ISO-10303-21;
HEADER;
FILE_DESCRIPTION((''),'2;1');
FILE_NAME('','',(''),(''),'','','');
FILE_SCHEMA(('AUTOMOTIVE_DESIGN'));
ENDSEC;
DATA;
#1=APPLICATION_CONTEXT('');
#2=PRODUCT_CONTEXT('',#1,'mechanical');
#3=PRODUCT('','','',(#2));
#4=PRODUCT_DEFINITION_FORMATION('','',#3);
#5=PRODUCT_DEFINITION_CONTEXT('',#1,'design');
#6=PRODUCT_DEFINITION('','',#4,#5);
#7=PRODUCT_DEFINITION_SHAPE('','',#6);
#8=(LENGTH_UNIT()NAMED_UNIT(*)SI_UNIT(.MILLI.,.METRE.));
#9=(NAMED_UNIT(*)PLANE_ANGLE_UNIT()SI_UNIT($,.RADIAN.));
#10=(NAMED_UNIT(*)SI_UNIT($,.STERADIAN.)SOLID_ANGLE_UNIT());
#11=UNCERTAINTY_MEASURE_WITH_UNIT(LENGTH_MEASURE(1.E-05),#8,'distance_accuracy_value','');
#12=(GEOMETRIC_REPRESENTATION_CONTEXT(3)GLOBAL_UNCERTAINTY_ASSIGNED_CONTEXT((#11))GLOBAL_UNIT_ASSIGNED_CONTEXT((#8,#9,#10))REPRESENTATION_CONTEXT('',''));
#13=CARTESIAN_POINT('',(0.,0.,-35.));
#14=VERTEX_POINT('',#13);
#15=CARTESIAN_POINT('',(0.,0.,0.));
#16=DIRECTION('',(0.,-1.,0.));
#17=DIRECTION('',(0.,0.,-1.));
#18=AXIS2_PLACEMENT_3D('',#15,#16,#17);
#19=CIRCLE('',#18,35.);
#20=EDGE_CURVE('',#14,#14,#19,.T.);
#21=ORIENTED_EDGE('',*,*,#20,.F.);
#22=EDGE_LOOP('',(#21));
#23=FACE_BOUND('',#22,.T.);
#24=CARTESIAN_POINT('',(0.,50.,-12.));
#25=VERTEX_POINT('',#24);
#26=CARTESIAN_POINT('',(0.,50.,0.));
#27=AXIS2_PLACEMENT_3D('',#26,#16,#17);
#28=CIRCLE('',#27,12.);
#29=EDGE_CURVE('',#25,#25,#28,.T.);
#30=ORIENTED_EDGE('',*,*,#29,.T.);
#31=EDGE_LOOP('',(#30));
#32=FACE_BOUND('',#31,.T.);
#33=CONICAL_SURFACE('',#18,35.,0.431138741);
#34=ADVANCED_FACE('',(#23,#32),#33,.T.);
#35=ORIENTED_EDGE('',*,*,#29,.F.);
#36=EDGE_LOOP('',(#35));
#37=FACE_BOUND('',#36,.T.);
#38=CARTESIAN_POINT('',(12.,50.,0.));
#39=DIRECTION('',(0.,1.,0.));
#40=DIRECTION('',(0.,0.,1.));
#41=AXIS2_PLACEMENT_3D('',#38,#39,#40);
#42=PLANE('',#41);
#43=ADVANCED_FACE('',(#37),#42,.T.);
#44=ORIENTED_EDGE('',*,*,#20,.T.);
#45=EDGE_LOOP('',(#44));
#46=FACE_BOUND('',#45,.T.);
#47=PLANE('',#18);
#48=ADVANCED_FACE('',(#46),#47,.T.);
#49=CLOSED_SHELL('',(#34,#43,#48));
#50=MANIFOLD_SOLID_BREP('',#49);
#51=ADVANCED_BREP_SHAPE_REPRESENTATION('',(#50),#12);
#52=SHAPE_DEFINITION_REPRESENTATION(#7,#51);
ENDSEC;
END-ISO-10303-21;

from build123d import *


with BuildPart() as part:
    # 草图3 → Shade (revolve)
    with BuildSketch(Plane.XY, mode=Mode.PRIVATE) as shade_sk:
        Polygon((0, 0), (35, 0), (12, 50), (0, 50), align=None)
    revolve(shade_sk.sketch.rotate(Axis((0, 0, 0), (0, 1, 0)), 90), axis=Axis((0, 0, 0), (0, 1, 0)))


solid = part.part
